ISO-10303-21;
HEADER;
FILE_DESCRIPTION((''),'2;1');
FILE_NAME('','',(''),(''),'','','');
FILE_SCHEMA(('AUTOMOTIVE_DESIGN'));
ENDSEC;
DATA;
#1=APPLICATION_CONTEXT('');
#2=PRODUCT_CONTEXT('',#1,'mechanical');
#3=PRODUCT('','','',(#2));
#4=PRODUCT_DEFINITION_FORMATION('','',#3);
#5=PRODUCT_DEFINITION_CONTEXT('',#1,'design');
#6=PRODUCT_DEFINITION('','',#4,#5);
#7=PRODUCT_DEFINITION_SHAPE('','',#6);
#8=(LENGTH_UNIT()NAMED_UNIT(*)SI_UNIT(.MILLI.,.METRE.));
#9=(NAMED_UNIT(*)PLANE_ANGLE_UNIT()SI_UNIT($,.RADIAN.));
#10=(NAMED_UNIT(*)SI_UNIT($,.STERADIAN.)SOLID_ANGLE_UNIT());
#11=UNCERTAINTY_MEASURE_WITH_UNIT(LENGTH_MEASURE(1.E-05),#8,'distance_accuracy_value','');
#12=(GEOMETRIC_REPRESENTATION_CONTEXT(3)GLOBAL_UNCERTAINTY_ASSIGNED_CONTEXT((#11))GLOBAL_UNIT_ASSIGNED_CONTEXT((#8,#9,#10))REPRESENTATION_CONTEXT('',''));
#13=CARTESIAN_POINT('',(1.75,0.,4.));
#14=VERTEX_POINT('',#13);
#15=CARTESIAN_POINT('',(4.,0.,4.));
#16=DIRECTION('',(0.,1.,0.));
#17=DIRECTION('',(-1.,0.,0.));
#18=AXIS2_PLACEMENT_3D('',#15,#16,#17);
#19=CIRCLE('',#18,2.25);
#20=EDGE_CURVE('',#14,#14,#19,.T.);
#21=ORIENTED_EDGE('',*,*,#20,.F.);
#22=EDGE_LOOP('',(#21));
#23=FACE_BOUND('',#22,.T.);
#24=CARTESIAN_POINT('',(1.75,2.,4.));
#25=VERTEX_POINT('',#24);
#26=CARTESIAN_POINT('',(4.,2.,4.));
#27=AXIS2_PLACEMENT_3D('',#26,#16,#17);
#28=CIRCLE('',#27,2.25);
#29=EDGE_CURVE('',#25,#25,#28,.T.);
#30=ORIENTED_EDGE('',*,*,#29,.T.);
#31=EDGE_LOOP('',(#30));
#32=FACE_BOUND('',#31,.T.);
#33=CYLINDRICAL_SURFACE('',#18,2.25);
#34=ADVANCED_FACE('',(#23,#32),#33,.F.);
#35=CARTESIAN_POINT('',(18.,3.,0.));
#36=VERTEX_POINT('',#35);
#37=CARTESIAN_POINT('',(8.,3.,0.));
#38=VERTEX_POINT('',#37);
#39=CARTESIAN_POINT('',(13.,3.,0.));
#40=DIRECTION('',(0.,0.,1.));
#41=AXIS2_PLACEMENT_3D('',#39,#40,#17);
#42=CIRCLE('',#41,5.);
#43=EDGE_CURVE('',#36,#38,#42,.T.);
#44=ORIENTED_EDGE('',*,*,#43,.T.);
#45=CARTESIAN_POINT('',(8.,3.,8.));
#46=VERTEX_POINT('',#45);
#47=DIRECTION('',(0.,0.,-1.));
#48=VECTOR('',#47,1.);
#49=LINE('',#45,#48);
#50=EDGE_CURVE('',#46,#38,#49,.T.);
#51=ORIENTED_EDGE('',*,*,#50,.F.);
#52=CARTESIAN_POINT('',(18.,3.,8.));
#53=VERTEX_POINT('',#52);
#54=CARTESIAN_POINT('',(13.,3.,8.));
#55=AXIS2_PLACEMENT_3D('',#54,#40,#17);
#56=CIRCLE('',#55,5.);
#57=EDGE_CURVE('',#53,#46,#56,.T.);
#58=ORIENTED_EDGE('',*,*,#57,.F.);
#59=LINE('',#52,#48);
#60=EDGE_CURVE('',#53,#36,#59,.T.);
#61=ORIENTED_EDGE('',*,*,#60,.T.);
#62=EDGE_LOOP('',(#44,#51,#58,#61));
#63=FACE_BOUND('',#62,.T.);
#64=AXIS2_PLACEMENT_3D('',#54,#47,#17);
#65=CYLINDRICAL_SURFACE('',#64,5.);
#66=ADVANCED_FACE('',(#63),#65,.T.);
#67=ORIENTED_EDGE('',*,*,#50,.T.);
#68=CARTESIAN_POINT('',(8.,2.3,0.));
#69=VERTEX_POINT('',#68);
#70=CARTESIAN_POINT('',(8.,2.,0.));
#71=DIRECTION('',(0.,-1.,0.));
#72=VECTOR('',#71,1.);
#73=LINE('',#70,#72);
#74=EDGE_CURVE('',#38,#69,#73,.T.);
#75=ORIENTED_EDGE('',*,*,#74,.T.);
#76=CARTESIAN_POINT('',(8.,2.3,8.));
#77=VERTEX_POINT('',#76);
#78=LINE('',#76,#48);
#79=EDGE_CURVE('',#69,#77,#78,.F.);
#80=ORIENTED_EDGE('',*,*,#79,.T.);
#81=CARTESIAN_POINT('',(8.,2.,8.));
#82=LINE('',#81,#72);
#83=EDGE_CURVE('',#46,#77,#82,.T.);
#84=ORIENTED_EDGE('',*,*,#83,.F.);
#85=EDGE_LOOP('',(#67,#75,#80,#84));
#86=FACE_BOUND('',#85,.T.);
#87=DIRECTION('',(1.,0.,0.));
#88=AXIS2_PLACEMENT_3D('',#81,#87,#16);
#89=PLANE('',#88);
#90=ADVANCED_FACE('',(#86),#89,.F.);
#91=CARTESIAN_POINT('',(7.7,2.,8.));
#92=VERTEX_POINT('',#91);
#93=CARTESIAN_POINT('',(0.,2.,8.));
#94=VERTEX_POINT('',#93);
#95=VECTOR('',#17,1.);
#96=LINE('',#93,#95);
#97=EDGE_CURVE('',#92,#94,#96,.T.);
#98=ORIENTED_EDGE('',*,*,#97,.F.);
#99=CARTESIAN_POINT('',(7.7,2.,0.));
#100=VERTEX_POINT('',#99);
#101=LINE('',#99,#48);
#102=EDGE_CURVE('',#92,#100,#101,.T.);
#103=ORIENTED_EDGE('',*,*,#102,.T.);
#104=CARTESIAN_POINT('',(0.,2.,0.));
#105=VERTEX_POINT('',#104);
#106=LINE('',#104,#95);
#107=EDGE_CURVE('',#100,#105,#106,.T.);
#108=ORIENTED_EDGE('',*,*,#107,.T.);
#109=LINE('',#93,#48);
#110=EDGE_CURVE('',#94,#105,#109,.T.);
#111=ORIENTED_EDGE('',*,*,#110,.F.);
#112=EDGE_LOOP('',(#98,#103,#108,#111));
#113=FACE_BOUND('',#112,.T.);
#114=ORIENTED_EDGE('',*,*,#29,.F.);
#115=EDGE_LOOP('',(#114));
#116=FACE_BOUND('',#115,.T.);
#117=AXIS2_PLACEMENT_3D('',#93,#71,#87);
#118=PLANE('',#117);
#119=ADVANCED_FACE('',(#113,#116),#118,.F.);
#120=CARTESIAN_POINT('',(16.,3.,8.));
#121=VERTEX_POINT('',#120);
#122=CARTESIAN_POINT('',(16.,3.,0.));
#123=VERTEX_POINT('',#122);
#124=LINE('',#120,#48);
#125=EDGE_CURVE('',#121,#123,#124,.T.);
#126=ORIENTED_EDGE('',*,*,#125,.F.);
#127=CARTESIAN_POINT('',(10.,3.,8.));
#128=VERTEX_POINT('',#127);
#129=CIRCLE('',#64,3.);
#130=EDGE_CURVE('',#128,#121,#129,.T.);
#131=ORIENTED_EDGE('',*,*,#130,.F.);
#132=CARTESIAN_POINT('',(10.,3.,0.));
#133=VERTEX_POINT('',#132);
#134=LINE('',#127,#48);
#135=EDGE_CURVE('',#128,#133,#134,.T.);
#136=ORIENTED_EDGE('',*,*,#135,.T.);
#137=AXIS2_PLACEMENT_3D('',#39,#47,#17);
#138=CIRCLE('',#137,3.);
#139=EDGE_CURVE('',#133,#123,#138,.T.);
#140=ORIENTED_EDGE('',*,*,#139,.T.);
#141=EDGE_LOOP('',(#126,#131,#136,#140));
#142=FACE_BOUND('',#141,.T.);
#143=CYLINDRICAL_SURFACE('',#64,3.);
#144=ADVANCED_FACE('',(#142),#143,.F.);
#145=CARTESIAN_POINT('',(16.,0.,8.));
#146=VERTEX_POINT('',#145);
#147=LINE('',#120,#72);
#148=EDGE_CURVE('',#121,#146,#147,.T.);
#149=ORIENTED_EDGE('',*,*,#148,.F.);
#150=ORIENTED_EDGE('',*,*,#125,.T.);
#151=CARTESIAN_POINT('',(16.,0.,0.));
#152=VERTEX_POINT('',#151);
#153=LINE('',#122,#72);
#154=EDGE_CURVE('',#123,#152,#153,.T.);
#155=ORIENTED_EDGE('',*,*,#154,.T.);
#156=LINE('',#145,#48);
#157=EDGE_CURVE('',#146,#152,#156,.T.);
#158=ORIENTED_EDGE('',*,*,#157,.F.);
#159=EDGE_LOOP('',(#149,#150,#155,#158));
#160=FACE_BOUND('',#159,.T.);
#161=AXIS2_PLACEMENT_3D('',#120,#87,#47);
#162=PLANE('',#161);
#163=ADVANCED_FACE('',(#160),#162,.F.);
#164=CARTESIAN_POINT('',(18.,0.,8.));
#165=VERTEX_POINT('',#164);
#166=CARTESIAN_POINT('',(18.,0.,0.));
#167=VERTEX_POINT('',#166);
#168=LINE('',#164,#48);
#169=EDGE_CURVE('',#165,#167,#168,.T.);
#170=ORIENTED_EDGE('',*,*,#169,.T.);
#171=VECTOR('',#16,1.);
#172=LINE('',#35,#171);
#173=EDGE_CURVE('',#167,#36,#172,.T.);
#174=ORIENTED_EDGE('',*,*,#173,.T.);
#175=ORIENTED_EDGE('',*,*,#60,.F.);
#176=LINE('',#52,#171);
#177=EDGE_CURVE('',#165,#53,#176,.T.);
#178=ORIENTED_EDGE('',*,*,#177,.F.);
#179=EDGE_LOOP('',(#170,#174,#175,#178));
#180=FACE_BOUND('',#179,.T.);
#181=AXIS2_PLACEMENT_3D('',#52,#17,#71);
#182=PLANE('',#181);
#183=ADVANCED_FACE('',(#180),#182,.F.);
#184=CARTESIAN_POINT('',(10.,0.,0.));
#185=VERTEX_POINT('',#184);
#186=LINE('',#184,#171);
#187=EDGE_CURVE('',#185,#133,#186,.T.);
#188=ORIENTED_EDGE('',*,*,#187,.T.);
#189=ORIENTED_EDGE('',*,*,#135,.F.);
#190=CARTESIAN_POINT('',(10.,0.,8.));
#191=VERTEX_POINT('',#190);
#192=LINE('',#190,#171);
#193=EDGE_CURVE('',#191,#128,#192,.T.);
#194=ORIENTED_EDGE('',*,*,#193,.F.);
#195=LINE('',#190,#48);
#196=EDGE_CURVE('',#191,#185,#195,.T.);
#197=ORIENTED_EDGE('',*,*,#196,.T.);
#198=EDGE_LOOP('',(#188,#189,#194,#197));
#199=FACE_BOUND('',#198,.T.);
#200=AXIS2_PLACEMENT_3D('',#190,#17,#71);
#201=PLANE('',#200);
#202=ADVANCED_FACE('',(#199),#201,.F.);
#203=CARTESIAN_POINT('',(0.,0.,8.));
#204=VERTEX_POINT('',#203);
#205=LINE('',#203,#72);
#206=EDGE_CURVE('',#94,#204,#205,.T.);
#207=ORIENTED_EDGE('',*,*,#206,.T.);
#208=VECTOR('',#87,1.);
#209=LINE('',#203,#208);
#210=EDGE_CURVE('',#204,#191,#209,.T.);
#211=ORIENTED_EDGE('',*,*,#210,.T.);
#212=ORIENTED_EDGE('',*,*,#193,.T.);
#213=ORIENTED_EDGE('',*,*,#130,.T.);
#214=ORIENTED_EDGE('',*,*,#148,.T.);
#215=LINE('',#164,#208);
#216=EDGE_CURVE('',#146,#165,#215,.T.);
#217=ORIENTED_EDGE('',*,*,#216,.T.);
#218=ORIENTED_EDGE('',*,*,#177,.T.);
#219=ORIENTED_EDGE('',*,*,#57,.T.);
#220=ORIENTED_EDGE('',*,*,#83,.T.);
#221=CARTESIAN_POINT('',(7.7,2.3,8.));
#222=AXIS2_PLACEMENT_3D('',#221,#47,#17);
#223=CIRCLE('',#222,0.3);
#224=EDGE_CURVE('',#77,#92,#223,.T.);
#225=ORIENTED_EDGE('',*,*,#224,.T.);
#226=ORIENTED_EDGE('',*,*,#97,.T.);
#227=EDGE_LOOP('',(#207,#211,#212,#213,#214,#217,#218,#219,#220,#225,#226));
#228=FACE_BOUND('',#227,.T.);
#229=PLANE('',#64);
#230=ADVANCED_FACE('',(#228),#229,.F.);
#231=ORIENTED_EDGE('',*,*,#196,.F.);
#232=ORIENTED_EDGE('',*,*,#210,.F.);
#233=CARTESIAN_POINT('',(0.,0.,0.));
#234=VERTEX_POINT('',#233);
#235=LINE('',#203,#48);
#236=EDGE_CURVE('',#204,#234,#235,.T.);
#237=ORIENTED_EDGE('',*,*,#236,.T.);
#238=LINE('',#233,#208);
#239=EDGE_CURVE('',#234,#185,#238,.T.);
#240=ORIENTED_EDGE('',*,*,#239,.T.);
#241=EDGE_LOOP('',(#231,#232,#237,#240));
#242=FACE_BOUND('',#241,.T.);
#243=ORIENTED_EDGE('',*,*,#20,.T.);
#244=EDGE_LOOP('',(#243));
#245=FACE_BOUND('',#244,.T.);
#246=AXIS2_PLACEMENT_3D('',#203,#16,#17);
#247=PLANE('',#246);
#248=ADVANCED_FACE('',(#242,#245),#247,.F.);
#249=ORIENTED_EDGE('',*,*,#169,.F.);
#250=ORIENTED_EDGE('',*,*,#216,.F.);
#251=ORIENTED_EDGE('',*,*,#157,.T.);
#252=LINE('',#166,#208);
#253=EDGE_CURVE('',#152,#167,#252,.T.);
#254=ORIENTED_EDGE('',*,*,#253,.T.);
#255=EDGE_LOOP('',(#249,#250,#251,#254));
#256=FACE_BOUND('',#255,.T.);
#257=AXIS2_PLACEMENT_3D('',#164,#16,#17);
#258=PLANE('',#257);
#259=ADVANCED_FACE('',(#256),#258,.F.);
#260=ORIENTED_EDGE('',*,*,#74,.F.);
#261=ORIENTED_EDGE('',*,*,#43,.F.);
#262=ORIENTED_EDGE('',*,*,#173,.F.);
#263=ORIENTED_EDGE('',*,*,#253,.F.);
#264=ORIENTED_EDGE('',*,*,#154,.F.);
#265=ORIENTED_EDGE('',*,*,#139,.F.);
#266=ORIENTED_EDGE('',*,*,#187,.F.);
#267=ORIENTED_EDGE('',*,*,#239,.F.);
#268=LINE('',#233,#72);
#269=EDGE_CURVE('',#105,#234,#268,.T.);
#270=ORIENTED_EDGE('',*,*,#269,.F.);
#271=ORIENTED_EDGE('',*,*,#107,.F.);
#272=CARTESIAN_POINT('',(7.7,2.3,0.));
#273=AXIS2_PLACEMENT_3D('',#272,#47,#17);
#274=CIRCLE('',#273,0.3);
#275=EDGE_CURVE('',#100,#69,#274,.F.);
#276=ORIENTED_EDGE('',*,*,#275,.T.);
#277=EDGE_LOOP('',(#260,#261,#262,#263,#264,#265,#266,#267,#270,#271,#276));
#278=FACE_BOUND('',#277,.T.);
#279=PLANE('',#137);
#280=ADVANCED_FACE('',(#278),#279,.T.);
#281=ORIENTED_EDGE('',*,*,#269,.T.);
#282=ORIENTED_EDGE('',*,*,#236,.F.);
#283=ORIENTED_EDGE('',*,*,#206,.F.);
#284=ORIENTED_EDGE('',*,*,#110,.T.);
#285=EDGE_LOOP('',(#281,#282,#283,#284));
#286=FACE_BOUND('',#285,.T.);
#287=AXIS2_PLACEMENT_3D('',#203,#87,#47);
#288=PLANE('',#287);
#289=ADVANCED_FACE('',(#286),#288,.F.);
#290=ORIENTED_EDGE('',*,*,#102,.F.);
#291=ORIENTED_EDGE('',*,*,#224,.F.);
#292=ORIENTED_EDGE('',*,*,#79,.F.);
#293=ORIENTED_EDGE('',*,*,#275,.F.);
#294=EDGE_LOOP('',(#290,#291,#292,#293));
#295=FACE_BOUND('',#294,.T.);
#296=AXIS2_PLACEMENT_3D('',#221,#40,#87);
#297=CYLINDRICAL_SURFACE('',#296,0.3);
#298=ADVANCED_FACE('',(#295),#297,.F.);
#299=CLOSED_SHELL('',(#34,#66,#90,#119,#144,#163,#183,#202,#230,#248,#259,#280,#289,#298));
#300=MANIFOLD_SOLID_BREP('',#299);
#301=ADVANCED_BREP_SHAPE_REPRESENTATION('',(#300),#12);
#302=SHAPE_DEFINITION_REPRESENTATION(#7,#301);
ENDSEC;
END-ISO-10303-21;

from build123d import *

# Parameters (mm, degrees)
BASE_EXTRUSION_DEPTH    = 8
ESQUISSE2_R             = 2.25
ENL_V_MAT_EXTRU_1_DEPTH = 3
CONG_1_R                = 0.3


with BuildPart() as part:
    # Esquisse1 → Base-Extrusion (new body)
    with BuildSketch(Plane.XY):
        with BuildLine():
            Line((0, 0), (10, 0))
            Line((10, 0), (10, 3))
            ThreePointArc((10, 3), (13, 6), (16, 3))
            Line((16, 3), (16, 0))
            Line((16, 0), (18, 0))
            Line((18, 0), (18, 3))
            ThreePointArc((18, 3), (13, 8), (8, 3))
            Line((8, 3), (8, 2))
            Line((8, 2), (0, 2))
            Line((0, 2), (0, 0))
        make_face()
    extrude(amount=BASE_EXTRUSION_DEPTH)

    # Esquisse2 → Enlèv. mat.-Extru.1 (cut, through all)
    with BuildSketch(Plane(origin=(0, 2, 0), x_dir=(-1, 0, 0), z_dir=(0, 1, 0))):
        with Locations((-4, 4)):
            Circle(ESQUISSE2_R)
    extrude(amount=-ENL_V_MAT_EXTRU_1_DEPTH, mode=Mode.SUBTRACT)

    # Congé1
    cong_1_edges = [part.edges().sort_by_distance(p)[0] for p in [
        (8, 2, 4),
    ]]
    fillet(cong_1_edges, radius=CONG_1_R)


solid = part.part
